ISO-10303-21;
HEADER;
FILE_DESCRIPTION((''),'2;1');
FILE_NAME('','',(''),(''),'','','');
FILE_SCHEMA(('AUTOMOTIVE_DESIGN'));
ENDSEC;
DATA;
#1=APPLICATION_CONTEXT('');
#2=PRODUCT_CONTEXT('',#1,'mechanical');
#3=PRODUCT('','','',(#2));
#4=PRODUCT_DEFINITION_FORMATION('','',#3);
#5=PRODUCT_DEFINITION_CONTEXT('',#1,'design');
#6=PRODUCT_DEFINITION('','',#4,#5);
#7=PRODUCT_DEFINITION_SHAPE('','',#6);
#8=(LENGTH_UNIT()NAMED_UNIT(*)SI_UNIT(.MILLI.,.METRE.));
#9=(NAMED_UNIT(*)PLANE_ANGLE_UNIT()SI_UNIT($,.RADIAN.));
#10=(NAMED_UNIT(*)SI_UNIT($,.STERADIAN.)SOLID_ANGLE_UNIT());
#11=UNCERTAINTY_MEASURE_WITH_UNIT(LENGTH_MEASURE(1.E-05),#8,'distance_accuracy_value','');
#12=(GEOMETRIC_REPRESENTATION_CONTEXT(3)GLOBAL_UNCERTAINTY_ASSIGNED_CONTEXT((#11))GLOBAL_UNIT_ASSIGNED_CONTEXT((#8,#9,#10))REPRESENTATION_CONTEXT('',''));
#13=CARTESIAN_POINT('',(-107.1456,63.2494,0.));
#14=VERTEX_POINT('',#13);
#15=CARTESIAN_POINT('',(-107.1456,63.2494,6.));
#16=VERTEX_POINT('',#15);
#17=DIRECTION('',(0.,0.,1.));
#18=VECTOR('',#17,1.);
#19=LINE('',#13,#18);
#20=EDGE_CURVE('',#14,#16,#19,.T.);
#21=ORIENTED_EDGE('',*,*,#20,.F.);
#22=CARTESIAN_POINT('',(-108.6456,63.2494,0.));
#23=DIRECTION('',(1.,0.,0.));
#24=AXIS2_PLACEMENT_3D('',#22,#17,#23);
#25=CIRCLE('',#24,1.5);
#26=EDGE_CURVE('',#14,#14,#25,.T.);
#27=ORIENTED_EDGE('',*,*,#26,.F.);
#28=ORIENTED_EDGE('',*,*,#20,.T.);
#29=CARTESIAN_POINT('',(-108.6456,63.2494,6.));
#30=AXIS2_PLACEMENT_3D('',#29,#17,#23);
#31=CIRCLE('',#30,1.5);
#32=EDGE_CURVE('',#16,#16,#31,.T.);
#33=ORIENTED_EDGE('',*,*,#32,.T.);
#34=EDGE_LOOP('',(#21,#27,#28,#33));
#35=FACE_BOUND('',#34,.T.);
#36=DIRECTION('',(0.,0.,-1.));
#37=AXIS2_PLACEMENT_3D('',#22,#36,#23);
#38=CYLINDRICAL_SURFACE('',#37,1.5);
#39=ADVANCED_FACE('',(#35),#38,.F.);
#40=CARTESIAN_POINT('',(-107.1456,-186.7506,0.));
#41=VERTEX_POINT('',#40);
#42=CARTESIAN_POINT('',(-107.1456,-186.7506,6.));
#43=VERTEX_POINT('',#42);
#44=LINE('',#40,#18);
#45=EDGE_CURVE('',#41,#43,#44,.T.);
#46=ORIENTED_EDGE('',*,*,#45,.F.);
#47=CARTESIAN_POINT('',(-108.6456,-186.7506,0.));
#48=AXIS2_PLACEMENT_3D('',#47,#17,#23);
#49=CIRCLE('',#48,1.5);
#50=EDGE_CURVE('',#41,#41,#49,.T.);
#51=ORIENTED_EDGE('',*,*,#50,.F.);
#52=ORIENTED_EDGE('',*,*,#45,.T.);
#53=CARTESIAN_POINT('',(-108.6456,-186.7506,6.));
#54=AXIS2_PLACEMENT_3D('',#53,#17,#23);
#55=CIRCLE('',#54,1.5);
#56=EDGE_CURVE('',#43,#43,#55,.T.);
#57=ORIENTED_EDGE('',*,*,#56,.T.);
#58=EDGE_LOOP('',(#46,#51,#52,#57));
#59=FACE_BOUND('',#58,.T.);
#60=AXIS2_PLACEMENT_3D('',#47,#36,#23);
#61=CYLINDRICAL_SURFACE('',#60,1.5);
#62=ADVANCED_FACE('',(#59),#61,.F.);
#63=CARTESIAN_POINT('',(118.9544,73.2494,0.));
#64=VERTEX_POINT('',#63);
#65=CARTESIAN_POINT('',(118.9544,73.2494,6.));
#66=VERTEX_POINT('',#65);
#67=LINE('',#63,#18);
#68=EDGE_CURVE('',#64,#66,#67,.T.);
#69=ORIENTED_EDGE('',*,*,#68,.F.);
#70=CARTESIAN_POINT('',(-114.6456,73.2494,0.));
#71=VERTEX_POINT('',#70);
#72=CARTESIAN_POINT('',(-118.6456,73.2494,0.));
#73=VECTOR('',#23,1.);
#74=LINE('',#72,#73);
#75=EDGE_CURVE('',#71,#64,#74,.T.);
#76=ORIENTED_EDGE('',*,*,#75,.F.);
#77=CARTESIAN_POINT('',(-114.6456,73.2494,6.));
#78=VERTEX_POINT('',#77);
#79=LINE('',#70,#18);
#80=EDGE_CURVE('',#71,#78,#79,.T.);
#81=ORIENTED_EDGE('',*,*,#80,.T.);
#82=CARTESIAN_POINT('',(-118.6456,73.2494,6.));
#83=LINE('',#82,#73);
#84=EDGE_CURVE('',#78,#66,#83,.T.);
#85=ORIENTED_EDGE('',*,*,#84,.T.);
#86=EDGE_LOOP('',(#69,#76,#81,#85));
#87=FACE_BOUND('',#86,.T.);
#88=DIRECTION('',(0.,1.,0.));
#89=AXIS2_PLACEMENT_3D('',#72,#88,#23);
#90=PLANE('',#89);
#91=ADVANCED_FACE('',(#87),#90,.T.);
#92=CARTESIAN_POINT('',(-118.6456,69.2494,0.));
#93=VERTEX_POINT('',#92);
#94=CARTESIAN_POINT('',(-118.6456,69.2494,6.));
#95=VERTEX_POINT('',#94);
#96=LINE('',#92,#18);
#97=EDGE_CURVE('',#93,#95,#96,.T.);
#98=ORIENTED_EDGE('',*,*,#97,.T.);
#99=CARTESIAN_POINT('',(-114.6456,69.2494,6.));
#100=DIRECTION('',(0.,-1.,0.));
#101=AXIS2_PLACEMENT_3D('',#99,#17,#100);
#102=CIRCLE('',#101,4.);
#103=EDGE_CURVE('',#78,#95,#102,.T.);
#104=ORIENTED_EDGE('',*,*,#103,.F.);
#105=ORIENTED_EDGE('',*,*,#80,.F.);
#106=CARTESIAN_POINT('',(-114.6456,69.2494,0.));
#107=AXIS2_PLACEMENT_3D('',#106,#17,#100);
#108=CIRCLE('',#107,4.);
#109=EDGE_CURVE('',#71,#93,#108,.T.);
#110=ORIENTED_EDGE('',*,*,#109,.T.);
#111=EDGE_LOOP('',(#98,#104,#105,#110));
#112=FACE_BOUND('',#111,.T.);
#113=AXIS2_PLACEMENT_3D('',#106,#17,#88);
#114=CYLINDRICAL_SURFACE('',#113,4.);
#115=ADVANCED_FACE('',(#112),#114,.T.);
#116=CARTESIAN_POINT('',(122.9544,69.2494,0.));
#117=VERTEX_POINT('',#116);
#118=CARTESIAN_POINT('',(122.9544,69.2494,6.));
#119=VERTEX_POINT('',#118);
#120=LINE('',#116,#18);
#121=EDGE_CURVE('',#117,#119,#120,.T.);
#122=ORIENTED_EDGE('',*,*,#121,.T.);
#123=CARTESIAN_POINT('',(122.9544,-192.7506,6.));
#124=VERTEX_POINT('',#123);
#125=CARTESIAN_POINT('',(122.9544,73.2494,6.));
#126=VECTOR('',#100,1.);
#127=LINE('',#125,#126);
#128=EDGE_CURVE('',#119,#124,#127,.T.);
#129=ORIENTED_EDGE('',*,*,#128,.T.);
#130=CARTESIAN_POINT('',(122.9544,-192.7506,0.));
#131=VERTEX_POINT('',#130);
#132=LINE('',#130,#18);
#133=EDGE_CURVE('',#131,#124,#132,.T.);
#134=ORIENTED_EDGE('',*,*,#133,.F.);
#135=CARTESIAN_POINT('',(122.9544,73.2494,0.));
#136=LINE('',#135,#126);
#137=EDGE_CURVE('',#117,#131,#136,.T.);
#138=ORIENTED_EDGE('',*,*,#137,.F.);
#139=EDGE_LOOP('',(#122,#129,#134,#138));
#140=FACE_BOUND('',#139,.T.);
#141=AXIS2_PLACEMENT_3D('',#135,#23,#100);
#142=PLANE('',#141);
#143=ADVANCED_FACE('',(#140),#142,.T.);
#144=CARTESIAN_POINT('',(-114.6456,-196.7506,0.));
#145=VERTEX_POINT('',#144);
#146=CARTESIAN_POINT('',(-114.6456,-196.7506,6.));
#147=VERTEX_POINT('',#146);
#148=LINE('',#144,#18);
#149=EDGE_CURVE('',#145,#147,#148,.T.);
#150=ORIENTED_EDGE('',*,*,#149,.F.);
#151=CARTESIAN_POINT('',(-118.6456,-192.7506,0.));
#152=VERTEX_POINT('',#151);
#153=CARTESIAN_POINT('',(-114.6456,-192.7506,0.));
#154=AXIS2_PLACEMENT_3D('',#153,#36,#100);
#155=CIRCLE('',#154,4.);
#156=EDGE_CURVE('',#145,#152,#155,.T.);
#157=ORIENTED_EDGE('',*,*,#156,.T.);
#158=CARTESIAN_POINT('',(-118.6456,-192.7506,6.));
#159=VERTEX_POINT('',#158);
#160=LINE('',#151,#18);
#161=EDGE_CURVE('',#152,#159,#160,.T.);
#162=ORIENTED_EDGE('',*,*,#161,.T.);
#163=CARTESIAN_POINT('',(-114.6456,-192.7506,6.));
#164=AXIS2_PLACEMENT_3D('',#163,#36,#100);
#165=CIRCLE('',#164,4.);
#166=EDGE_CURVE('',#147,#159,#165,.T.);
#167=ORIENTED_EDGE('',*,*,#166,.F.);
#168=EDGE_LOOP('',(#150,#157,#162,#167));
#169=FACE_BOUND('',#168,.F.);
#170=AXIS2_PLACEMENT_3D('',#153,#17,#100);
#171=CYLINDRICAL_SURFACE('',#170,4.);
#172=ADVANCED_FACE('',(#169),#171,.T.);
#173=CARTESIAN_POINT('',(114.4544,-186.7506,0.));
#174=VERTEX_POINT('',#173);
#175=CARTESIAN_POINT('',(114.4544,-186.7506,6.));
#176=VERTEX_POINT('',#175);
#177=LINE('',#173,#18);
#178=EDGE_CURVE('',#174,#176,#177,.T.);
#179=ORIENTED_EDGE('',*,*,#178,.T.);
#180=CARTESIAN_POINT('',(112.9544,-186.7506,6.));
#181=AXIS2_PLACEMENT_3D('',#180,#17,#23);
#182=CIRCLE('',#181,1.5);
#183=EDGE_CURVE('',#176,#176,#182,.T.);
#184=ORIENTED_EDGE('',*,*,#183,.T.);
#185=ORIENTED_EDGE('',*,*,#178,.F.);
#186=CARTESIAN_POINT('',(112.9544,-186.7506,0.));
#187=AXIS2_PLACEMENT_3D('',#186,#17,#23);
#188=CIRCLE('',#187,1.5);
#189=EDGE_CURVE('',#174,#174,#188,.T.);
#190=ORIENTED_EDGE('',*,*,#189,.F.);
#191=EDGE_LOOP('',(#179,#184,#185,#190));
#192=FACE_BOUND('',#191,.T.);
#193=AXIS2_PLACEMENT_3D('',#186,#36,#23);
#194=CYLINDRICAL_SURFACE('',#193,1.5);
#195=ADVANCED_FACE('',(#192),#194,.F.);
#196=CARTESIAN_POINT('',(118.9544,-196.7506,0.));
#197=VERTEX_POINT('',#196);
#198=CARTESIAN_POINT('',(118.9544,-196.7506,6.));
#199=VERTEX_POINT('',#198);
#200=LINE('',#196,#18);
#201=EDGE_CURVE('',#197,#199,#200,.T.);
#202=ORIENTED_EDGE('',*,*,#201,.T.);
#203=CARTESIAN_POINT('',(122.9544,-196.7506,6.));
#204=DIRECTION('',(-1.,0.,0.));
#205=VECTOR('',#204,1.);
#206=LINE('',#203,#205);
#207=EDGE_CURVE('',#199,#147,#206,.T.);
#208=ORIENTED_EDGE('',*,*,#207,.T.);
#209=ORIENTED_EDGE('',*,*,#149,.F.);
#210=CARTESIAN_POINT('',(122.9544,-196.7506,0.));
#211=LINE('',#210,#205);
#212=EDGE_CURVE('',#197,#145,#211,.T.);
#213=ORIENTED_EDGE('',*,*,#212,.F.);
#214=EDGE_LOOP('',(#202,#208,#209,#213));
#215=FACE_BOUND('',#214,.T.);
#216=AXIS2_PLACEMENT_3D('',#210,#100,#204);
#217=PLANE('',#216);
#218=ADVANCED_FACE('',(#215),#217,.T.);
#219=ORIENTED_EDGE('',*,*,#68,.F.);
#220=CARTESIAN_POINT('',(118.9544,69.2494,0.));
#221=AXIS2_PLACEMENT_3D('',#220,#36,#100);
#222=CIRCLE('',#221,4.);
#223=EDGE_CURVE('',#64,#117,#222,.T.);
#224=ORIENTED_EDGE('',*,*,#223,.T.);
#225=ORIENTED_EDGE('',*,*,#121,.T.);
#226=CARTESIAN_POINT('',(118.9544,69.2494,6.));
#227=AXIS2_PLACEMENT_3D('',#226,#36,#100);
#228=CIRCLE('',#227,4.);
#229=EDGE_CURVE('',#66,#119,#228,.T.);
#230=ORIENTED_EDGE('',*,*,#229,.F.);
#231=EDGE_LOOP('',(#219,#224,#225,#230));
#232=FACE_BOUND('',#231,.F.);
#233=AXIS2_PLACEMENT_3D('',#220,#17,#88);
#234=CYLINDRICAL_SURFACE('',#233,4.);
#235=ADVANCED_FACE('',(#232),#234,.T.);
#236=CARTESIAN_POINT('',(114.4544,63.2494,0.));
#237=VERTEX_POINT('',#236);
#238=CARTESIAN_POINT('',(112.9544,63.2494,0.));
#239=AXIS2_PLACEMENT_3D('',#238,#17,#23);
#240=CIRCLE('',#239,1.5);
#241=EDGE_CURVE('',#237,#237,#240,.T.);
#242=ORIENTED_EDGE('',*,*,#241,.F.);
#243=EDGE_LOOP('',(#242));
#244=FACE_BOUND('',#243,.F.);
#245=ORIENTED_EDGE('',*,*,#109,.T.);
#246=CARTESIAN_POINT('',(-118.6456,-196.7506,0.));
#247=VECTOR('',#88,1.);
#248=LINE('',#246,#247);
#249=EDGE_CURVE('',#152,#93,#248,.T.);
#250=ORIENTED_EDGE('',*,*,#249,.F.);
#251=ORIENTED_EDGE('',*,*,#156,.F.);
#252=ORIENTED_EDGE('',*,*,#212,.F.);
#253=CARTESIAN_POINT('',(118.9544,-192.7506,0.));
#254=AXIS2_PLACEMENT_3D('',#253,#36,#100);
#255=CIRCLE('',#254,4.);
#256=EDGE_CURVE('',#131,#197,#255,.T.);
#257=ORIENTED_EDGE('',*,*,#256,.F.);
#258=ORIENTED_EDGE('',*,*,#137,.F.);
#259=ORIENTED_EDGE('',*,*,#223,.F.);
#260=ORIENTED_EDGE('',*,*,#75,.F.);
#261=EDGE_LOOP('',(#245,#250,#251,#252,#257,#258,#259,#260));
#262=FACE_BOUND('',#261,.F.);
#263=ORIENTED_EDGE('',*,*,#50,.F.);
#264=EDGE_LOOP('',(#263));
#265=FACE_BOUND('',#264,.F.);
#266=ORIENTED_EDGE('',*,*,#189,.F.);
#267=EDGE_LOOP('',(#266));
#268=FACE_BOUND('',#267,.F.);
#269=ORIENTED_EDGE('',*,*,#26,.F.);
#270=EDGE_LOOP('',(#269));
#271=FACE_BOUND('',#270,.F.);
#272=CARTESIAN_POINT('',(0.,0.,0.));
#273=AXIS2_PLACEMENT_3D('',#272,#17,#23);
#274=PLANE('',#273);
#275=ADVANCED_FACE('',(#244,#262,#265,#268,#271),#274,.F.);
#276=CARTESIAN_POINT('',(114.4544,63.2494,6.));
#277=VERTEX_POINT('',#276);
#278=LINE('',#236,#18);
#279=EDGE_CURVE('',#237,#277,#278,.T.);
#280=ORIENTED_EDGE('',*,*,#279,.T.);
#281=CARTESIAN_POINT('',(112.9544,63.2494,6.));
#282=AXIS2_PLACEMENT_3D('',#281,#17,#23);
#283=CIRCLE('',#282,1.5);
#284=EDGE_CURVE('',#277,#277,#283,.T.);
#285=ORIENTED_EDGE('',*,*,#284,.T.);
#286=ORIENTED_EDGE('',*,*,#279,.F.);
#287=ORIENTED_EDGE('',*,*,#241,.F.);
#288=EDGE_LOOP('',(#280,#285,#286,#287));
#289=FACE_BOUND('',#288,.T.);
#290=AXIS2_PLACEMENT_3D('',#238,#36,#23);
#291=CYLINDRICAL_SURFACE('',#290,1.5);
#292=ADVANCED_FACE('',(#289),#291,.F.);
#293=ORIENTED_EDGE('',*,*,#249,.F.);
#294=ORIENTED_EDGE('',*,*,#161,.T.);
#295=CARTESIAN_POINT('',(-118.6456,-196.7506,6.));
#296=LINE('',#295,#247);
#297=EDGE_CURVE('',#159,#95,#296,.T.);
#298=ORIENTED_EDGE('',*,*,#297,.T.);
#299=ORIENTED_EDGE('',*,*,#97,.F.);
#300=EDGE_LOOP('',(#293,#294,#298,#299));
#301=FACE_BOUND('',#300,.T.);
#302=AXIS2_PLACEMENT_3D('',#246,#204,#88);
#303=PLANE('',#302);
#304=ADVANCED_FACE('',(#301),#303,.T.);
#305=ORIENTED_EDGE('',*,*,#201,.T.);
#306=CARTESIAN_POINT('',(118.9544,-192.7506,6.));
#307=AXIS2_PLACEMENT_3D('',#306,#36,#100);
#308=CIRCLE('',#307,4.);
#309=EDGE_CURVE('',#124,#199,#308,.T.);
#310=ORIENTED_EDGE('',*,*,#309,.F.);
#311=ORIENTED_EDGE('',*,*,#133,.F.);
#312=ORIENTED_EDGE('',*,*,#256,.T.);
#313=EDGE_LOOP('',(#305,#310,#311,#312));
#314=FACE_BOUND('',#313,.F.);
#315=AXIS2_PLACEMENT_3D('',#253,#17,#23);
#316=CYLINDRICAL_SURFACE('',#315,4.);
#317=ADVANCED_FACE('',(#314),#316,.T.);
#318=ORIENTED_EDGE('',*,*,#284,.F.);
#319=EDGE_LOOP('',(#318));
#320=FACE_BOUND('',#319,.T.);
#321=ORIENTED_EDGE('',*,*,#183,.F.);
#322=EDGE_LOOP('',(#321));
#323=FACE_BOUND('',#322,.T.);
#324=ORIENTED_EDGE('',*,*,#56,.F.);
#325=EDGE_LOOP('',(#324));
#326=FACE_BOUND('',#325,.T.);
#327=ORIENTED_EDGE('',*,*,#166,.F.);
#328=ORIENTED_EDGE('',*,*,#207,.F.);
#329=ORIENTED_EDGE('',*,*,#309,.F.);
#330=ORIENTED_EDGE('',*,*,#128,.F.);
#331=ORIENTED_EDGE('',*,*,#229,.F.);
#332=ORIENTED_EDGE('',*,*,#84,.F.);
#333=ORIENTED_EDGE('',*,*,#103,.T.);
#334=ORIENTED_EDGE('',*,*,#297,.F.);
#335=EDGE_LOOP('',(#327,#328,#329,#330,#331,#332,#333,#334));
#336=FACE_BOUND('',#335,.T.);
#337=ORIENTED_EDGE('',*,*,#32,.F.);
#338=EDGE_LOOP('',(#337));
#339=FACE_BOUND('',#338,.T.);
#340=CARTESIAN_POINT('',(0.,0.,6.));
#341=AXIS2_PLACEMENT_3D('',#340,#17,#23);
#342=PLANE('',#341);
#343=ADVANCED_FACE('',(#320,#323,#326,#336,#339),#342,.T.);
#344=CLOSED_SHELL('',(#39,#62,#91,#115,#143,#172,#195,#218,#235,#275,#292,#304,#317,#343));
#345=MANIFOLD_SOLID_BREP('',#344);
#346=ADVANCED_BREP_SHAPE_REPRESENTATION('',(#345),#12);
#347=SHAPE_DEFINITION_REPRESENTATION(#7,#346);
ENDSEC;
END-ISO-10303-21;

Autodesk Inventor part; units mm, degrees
ref_plane "YZ Plane" through (0, 0, 0) normal (1, 0, 0) x (0, 1, 0)
ref_plane "XZ Plane" through (0, 0, 0) normal (0, 1, 0) x (-1, 0, 0)
ref_plane "XY Plane" through (0, 0, 0) normal (0, 0, 1) x (1, 0, 0)
sketch "Sketch1" plane through (0, 0, 0) normal (0, 0, 1) x (1, 0, 0)
  line L0 (-118.6456, 73.2494) -> (122.9544, 73.2494)
  line L1 (122.9544, 73.2494) -> (122.9544, -196.7506)
  line L2 (122.9544, -196.7506) -> (-118.6456, -196.7506)
  line L3 (-118.6456, -196.7506) -> (-118.6456, 73.2494)
  circle A0 centre (-108.6456, 63.2494) radius 1.5
  circle A1 centre (112.9544, 63.2494) radius 1.5
  circle A2 centre (-108.6456, -186.7506) radius 1.5
  circle A3 centre (112.9544, -186.7506) radius 1.5
  point P0 (0, 0)
  dimension "d0" = 241.6
  dimension "d1" = 270
  dimension "d2" = 10
  dimension "d3" = 10
  dimension "d4" = 3
  dimension "d5" = 10
  dimension "d6" = 10
  dimension "d7" = 3
  dimension "d8" = 10
  dimension "d9" = 10
  dimension "d10" = 3
  dimension "d11" = 10
  dimension "d12" = 10
  dimension "d13" = 3
extrude "Extrusion1" add sketch "Sketch1" along normal blind 6
fillet "Fillet1" radius 4 4 edges at (-118.6456, 73.2494, 3) (122.9544, 73.2494, 3) (122.9544, -196.7506, 3) (-118.6456, -196.7506, 3)
properties part number "Etage 1_CPY"
